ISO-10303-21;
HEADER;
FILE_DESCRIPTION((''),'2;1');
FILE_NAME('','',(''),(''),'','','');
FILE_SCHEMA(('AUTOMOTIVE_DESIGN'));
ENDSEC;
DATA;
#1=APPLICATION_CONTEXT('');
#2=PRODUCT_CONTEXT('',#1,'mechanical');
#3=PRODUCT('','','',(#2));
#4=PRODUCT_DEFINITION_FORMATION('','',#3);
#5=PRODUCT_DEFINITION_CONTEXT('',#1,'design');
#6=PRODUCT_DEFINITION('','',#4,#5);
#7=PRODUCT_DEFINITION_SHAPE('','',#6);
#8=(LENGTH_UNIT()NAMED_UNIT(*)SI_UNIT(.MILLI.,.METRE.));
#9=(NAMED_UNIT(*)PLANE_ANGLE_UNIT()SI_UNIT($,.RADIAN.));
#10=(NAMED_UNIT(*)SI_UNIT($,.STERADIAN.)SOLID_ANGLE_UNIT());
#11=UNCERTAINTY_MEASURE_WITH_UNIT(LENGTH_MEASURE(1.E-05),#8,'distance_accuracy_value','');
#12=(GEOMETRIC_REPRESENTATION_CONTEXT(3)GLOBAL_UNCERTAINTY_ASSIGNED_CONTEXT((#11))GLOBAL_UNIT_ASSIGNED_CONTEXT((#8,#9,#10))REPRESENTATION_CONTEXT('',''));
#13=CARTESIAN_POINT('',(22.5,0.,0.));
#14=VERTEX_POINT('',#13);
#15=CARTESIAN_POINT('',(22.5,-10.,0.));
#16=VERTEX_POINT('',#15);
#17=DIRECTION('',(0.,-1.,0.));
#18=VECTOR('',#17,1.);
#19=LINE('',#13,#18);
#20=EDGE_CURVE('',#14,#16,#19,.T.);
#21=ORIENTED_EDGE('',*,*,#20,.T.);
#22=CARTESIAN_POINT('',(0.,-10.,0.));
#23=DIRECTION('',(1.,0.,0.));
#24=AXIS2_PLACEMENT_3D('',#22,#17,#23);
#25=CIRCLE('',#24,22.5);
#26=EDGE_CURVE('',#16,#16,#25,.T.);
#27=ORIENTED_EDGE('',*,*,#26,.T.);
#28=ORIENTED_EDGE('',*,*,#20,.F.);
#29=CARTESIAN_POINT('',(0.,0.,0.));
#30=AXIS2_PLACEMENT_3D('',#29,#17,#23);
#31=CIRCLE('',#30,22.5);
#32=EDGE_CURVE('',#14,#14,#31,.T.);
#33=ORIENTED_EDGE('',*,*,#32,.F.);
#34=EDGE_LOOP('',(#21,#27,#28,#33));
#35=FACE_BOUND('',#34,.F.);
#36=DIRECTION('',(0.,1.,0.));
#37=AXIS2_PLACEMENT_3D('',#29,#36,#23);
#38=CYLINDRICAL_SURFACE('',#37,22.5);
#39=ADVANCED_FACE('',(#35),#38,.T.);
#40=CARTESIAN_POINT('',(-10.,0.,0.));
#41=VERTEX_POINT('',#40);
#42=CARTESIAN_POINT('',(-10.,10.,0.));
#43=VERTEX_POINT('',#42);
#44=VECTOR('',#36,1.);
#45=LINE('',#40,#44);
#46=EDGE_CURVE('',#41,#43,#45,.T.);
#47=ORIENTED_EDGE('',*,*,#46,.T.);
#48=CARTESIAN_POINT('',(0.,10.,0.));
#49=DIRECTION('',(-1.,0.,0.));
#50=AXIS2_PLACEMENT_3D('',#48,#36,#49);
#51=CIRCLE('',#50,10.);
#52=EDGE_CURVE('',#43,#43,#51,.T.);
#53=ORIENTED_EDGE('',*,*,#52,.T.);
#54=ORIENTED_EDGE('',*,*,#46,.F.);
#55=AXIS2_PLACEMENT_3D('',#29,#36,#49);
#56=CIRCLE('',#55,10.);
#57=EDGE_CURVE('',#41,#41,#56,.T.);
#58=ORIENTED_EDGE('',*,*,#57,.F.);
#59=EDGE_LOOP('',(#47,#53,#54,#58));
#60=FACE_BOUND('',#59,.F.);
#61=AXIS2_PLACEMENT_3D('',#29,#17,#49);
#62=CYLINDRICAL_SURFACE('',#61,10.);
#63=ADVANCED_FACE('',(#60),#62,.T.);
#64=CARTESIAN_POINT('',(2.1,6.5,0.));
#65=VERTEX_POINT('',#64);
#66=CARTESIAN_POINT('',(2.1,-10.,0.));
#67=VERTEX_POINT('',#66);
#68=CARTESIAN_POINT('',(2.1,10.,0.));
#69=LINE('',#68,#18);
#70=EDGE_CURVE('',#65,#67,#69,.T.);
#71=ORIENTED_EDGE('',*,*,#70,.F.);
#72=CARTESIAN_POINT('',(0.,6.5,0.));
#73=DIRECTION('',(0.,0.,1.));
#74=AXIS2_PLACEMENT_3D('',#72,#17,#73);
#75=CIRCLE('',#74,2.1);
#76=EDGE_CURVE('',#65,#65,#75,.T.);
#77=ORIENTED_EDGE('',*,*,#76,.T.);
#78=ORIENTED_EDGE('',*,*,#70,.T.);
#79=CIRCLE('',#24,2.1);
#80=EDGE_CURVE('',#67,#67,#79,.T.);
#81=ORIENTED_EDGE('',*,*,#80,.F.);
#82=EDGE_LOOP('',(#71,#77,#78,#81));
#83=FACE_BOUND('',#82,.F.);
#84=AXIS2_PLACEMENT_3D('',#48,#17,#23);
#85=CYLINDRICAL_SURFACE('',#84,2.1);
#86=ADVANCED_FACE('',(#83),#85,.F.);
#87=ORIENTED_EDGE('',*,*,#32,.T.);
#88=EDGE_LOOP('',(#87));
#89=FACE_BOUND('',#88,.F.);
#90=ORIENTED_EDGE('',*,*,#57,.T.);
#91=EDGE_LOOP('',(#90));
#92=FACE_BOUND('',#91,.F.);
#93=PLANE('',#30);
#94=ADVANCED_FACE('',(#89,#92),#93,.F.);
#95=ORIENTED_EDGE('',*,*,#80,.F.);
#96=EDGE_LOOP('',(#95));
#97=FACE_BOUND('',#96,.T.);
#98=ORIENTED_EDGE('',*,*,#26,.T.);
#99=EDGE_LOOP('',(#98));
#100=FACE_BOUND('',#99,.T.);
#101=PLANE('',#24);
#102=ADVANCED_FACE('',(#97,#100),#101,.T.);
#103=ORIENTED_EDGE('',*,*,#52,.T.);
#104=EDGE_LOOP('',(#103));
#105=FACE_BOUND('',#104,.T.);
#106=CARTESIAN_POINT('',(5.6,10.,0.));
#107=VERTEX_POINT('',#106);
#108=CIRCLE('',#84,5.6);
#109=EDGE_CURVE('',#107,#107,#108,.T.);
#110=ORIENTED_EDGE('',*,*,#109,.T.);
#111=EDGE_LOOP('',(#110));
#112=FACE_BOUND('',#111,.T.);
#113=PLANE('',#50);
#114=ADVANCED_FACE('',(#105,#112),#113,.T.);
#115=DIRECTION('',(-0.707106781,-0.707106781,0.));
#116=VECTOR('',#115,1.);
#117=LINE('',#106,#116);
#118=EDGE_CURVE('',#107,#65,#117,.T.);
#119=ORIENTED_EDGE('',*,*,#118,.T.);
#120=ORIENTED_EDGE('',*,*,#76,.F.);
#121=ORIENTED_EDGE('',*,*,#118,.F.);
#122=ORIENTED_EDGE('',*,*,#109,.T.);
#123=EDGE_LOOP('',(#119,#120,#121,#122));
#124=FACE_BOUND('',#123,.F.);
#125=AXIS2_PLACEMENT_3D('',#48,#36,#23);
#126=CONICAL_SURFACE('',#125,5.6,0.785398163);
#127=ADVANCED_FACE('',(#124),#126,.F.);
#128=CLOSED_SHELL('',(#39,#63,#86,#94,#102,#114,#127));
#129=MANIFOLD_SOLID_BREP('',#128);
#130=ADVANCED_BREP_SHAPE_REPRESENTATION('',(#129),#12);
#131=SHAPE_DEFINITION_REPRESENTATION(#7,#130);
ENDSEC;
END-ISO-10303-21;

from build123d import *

# Parameters (mm, degrees)
F0_R           = 22.5
F1_DEPTH       = 10
F2_R           = 10
F3_DEPTH       = 10
F5_D           = 4.2
F5_CSINK_D     = 11.2
F5_CSINK_ANGLE = 90


with BuildPart() as f1:
    # F0 (on Front) → F1 (new body)
    with BuildSketch(Plane.XZ):
        Circle(F0_R)
    extrude(amount=F1_DEPTH)

    # F2 (on face) → F3 (join)
    with BuildSketch(Plane(origin=(0, 0, 0), x_dir=(-1, 0, 0), z_dir=(0, 1, 0))):
        Circle(F2_R)
    extrude(amount=F3_DEPTH)

    # F5 (through all)
    with Locations(Plane(origin=(0, 10, 0), x_dir=(-1, 0, 0), z_dir=(0, 1, 0))):
        with Locations((0, 0)):
            CounterSinkHole(F5_D / 2, F5_CSINK_D / 2, counter_sink_angle=F5_CSINK_ANGLE)


solid = f1.part
